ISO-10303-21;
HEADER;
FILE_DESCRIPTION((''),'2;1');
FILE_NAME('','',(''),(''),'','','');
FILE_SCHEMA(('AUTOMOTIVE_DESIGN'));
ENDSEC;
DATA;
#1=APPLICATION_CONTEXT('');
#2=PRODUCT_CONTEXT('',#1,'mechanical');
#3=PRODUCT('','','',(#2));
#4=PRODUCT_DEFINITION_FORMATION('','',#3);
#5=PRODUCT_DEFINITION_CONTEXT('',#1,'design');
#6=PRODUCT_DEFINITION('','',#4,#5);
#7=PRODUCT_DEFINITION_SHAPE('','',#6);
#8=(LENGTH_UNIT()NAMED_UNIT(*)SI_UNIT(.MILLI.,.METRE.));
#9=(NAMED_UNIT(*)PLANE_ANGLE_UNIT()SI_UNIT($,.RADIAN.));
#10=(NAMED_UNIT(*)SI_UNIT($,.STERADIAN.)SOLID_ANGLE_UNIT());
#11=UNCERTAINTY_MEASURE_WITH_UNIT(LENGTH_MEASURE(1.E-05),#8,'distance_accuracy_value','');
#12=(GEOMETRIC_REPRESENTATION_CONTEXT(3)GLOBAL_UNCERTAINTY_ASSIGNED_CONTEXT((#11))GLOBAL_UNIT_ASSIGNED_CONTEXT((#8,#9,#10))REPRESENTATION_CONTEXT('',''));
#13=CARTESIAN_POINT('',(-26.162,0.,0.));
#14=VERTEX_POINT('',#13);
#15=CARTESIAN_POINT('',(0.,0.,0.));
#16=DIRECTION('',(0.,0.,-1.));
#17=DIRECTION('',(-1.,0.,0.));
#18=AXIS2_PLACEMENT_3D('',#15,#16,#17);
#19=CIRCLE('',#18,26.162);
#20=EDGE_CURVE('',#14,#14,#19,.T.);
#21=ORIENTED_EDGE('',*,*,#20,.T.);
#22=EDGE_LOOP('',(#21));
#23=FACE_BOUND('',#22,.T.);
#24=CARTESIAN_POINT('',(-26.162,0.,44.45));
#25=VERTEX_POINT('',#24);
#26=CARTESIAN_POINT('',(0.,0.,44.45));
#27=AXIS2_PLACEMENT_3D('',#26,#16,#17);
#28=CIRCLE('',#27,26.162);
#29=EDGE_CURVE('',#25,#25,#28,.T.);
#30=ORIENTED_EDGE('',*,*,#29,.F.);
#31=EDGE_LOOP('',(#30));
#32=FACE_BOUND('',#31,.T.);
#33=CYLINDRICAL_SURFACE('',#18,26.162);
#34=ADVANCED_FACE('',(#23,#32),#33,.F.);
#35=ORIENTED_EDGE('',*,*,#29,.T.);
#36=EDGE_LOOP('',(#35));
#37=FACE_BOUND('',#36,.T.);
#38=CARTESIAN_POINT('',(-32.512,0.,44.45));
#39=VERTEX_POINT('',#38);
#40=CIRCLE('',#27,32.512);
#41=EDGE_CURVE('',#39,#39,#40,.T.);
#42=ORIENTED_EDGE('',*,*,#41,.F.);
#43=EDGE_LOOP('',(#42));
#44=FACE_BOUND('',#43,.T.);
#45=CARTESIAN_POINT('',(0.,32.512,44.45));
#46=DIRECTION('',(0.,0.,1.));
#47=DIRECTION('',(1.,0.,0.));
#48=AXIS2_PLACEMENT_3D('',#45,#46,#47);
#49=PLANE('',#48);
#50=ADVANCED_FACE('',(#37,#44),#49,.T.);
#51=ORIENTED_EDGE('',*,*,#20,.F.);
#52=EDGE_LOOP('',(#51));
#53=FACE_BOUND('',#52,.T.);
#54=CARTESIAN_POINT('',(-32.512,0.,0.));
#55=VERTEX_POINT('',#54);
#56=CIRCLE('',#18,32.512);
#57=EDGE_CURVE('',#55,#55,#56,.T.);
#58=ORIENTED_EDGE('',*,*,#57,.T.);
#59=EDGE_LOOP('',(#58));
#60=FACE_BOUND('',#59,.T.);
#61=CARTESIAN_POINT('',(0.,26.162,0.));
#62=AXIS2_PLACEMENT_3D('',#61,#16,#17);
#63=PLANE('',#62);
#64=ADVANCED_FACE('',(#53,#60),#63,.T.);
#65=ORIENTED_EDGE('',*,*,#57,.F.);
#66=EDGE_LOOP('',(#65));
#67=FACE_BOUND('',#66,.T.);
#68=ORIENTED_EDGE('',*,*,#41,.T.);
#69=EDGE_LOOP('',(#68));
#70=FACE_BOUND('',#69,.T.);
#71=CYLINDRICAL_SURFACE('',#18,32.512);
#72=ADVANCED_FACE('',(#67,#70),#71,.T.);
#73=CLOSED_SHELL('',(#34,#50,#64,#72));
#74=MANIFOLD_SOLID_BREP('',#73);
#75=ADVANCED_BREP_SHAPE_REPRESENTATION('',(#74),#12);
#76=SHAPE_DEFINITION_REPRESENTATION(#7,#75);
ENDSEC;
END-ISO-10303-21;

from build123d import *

# Parameters (mm, degrees)
SKETCH1_W = 44.45
SKETCH1_H = 6.35


with BuildPart() as part:
    # Sketch1 → Revolve1 (revolve)
    with BuildSketch(Plane(origin=(0, 0, 0), x_dir=(0, 0, -1), z_dir=(1, 0, 0)), mode=Mode.PRIVATE) as revolve1_sk:
        with Locations((-22.225, 29.337)):
            Rectangle(SKETCH1_W, SKETCH1_H)
    revolve(revolve1_sk.sketch.rotate(Axis((0, 0, 0), (0, 0, 1)), 90), axis=Axis((0, 0, 0), (0, 0, 1)))


solid = part.part
